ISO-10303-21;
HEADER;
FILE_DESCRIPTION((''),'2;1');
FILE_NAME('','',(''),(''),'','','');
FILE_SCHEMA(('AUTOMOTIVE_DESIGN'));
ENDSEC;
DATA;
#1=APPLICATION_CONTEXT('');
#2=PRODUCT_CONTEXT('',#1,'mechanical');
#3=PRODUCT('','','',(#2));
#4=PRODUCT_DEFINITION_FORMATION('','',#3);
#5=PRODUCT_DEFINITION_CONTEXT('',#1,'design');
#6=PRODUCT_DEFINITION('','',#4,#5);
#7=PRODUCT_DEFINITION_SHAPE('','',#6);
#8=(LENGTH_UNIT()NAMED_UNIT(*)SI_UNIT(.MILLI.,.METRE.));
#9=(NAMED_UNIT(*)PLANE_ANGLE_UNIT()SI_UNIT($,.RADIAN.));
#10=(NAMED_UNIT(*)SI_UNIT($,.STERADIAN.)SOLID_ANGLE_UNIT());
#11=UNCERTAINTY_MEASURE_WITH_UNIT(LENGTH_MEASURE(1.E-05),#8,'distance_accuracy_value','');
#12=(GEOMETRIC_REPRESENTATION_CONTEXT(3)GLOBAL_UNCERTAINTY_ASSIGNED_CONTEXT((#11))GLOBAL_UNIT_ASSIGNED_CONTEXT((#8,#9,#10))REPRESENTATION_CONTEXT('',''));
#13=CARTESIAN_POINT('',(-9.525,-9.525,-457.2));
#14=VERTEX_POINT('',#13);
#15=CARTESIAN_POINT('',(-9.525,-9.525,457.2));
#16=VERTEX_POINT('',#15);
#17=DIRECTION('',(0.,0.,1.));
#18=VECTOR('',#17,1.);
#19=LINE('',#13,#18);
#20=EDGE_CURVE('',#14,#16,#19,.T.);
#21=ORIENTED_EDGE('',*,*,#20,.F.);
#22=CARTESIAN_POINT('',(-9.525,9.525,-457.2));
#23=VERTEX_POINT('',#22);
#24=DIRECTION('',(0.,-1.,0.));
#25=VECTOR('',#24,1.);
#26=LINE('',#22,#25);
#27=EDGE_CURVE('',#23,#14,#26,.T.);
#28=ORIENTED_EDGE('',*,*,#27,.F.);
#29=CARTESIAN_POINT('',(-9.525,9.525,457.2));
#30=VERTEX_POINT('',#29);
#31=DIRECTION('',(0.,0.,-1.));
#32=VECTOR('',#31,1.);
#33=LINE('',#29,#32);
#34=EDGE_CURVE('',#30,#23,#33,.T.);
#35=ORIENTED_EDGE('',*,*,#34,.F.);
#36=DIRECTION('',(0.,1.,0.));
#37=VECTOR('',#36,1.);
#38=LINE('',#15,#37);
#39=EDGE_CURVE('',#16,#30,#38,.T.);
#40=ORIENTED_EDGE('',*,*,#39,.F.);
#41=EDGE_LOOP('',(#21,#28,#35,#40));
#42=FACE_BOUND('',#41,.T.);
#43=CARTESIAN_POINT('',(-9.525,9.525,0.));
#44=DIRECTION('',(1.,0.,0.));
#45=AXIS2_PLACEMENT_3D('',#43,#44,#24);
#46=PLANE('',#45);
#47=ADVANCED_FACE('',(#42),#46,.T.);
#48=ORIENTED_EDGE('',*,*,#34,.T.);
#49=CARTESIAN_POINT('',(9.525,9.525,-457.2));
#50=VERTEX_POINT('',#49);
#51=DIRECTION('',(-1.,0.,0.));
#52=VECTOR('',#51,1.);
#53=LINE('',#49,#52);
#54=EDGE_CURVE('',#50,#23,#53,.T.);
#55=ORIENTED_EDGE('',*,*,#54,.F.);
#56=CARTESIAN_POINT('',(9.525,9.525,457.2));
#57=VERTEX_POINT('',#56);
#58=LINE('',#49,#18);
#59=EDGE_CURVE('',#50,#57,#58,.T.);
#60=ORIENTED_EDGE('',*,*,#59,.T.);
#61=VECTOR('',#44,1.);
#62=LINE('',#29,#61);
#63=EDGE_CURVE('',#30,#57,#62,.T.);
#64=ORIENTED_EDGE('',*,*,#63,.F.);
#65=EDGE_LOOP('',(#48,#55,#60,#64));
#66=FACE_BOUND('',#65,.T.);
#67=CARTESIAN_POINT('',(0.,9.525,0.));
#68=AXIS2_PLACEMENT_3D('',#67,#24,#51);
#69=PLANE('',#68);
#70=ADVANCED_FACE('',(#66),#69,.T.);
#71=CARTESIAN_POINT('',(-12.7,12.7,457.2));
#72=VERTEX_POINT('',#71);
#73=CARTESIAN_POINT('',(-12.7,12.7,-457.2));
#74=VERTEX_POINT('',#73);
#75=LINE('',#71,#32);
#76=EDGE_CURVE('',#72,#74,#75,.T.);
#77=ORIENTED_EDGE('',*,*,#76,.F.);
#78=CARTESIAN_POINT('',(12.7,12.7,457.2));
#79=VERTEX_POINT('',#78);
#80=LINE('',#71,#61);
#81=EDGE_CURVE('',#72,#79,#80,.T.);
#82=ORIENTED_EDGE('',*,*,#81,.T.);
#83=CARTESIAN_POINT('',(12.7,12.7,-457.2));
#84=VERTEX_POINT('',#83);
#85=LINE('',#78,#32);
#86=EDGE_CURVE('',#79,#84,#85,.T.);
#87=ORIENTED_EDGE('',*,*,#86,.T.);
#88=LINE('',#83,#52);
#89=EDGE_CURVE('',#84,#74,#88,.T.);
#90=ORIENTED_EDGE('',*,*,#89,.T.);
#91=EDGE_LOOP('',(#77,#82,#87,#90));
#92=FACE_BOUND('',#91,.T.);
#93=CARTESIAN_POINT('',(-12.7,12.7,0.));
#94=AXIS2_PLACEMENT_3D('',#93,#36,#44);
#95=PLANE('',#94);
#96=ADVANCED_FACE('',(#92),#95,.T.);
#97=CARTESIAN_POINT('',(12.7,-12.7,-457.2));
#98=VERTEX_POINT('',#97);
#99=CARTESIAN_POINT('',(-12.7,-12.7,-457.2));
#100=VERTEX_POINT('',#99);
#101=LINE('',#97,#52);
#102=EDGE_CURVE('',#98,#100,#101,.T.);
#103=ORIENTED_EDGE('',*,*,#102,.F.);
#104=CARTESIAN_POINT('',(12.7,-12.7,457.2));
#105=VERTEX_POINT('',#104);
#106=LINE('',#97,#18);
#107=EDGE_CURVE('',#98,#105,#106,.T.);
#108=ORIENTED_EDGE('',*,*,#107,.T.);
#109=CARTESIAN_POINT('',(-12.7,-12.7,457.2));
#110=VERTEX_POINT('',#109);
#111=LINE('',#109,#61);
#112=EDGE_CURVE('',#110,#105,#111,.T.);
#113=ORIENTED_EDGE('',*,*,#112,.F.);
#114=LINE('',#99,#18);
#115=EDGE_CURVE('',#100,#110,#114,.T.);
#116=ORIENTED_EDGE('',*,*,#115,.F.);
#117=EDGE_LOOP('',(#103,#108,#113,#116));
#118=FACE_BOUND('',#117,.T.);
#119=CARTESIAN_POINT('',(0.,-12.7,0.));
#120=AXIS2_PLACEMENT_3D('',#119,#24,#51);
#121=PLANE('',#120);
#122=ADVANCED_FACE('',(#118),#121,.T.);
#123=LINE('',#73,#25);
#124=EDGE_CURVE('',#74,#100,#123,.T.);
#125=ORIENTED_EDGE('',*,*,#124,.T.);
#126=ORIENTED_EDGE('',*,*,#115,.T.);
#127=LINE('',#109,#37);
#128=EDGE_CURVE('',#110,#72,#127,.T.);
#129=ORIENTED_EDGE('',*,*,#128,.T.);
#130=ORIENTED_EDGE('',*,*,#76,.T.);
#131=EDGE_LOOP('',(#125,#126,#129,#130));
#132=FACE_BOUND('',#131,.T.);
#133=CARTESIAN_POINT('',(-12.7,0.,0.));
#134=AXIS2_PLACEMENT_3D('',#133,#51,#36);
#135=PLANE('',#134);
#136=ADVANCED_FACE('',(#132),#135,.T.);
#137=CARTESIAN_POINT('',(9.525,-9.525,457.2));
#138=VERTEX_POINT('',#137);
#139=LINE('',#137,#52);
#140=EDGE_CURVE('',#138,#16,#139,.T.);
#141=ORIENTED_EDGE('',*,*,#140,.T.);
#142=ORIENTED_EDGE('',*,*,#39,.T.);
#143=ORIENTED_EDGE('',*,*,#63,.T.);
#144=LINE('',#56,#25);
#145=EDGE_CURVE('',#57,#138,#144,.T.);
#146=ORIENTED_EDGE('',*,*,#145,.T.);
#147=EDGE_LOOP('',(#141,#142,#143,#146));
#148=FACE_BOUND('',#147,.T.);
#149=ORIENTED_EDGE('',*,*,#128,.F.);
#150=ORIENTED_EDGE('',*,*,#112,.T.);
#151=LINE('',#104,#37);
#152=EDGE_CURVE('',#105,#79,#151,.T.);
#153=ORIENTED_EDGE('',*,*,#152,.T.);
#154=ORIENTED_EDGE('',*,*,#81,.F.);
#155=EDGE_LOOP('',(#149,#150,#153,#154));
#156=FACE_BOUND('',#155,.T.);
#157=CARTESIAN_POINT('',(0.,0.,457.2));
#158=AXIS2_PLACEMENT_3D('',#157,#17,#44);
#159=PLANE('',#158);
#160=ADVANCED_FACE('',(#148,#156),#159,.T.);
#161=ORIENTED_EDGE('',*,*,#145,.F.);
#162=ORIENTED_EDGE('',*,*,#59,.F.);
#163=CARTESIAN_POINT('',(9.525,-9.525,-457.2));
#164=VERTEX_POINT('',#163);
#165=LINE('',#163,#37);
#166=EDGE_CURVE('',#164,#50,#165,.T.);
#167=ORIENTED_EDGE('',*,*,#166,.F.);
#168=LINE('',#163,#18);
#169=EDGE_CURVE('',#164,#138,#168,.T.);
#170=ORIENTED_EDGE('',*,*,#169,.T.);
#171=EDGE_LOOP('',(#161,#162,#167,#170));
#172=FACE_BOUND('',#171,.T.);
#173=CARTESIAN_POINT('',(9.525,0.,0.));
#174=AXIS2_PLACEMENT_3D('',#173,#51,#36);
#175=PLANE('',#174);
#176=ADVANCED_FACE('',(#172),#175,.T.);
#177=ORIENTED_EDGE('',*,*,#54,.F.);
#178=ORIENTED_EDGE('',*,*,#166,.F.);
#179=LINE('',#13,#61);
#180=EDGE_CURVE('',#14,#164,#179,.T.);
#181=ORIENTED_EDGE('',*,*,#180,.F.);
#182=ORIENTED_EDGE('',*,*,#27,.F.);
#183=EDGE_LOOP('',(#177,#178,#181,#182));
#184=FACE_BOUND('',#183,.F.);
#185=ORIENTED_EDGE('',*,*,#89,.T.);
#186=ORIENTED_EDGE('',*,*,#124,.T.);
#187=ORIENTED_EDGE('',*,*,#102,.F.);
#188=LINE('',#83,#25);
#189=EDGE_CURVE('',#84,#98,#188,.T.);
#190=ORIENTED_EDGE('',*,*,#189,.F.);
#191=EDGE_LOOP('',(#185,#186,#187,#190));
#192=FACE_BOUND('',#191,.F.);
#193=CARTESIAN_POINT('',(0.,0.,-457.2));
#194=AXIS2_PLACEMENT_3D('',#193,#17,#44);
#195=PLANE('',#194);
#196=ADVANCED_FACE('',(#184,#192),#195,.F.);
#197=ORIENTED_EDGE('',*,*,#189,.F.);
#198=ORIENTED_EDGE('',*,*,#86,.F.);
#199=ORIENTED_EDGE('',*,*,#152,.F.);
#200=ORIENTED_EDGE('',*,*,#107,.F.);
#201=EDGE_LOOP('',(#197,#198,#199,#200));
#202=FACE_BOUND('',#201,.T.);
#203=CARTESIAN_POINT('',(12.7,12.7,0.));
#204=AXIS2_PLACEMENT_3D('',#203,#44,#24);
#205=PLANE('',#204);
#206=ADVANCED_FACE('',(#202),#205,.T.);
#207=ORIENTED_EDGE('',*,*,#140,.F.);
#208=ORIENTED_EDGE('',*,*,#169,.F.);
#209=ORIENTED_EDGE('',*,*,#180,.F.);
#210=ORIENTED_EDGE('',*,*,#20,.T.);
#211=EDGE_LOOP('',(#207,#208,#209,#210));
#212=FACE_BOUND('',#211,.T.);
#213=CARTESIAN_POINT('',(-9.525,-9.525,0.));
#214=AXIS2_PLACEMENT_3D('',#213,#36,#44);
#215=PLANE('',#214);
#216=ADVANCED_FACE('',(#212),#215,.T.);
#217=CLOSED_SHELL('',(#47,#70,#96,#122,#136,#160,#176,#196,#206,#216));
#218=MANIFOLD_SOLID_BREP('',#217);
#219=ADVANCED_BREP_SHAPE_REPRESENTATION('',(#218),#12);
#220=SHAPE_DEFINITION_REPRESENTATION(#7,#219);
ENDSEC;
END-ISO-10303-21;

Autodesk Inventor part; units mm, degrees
ref_plane "YZ Plane" through (0, 0, 0) normal (1, 0, 0) x (0, 1, 0)
ref_plane "XZ Plane" through (0, 0, 0) normal (0, 1, 0) x (-1, 0, 0)
ref_plane "XY Plane" through (0, 0, 0) normal (0, 0, 1) x (1, 0, 0)
sketch "Sketch1" plane through (0, 0, 0) normal (0, 0, 1) x (1, 0, 0)
  line L0 (-17.78, 0) -> (17.78, 0) projected
  line L1 (0, -17.78) -> (0, 17.78) projected
  line L2 (-12.7, 12.7) -> (12.7, 12.7)
  line L3 (12.7, 12.7) -> (12.7, -12.7)
  line L4 (12.7, -12.7) -> (-12.7, -12.7)
  line L5 (-12.7, -12.7) -> (-12.7, 12.7)
  line L6 (9.525, 9.525) -> (-9.525, 9.525)
  line L7 (-9.525, 9.525) -> (-9.525, -9.525)
  line L8 (-9.525, -9.525) -> (9.525, -9.525)
  line L9 (9.525, -9.525) -> (9.525, 9.525)
  point P0 (0, 0)
  point P1 (-12.7, 0)
  point P2 (0, 12.7)
  dimension "d0" = 25.4
  dimension "d1" = 3.175
extrude "Extrusion1" add sketch "Sketch1" along normal mid plane 914.4 contours L5 L2 L1 L6 L7 L0 | L0 L7 L8 L1 L4 L5 | L1 L8 L9 L0 L3 L4 | L2 L3 L0 L9 L6 L1
properties part number "tubing_template_0.125" material "Aluminum-6061"
